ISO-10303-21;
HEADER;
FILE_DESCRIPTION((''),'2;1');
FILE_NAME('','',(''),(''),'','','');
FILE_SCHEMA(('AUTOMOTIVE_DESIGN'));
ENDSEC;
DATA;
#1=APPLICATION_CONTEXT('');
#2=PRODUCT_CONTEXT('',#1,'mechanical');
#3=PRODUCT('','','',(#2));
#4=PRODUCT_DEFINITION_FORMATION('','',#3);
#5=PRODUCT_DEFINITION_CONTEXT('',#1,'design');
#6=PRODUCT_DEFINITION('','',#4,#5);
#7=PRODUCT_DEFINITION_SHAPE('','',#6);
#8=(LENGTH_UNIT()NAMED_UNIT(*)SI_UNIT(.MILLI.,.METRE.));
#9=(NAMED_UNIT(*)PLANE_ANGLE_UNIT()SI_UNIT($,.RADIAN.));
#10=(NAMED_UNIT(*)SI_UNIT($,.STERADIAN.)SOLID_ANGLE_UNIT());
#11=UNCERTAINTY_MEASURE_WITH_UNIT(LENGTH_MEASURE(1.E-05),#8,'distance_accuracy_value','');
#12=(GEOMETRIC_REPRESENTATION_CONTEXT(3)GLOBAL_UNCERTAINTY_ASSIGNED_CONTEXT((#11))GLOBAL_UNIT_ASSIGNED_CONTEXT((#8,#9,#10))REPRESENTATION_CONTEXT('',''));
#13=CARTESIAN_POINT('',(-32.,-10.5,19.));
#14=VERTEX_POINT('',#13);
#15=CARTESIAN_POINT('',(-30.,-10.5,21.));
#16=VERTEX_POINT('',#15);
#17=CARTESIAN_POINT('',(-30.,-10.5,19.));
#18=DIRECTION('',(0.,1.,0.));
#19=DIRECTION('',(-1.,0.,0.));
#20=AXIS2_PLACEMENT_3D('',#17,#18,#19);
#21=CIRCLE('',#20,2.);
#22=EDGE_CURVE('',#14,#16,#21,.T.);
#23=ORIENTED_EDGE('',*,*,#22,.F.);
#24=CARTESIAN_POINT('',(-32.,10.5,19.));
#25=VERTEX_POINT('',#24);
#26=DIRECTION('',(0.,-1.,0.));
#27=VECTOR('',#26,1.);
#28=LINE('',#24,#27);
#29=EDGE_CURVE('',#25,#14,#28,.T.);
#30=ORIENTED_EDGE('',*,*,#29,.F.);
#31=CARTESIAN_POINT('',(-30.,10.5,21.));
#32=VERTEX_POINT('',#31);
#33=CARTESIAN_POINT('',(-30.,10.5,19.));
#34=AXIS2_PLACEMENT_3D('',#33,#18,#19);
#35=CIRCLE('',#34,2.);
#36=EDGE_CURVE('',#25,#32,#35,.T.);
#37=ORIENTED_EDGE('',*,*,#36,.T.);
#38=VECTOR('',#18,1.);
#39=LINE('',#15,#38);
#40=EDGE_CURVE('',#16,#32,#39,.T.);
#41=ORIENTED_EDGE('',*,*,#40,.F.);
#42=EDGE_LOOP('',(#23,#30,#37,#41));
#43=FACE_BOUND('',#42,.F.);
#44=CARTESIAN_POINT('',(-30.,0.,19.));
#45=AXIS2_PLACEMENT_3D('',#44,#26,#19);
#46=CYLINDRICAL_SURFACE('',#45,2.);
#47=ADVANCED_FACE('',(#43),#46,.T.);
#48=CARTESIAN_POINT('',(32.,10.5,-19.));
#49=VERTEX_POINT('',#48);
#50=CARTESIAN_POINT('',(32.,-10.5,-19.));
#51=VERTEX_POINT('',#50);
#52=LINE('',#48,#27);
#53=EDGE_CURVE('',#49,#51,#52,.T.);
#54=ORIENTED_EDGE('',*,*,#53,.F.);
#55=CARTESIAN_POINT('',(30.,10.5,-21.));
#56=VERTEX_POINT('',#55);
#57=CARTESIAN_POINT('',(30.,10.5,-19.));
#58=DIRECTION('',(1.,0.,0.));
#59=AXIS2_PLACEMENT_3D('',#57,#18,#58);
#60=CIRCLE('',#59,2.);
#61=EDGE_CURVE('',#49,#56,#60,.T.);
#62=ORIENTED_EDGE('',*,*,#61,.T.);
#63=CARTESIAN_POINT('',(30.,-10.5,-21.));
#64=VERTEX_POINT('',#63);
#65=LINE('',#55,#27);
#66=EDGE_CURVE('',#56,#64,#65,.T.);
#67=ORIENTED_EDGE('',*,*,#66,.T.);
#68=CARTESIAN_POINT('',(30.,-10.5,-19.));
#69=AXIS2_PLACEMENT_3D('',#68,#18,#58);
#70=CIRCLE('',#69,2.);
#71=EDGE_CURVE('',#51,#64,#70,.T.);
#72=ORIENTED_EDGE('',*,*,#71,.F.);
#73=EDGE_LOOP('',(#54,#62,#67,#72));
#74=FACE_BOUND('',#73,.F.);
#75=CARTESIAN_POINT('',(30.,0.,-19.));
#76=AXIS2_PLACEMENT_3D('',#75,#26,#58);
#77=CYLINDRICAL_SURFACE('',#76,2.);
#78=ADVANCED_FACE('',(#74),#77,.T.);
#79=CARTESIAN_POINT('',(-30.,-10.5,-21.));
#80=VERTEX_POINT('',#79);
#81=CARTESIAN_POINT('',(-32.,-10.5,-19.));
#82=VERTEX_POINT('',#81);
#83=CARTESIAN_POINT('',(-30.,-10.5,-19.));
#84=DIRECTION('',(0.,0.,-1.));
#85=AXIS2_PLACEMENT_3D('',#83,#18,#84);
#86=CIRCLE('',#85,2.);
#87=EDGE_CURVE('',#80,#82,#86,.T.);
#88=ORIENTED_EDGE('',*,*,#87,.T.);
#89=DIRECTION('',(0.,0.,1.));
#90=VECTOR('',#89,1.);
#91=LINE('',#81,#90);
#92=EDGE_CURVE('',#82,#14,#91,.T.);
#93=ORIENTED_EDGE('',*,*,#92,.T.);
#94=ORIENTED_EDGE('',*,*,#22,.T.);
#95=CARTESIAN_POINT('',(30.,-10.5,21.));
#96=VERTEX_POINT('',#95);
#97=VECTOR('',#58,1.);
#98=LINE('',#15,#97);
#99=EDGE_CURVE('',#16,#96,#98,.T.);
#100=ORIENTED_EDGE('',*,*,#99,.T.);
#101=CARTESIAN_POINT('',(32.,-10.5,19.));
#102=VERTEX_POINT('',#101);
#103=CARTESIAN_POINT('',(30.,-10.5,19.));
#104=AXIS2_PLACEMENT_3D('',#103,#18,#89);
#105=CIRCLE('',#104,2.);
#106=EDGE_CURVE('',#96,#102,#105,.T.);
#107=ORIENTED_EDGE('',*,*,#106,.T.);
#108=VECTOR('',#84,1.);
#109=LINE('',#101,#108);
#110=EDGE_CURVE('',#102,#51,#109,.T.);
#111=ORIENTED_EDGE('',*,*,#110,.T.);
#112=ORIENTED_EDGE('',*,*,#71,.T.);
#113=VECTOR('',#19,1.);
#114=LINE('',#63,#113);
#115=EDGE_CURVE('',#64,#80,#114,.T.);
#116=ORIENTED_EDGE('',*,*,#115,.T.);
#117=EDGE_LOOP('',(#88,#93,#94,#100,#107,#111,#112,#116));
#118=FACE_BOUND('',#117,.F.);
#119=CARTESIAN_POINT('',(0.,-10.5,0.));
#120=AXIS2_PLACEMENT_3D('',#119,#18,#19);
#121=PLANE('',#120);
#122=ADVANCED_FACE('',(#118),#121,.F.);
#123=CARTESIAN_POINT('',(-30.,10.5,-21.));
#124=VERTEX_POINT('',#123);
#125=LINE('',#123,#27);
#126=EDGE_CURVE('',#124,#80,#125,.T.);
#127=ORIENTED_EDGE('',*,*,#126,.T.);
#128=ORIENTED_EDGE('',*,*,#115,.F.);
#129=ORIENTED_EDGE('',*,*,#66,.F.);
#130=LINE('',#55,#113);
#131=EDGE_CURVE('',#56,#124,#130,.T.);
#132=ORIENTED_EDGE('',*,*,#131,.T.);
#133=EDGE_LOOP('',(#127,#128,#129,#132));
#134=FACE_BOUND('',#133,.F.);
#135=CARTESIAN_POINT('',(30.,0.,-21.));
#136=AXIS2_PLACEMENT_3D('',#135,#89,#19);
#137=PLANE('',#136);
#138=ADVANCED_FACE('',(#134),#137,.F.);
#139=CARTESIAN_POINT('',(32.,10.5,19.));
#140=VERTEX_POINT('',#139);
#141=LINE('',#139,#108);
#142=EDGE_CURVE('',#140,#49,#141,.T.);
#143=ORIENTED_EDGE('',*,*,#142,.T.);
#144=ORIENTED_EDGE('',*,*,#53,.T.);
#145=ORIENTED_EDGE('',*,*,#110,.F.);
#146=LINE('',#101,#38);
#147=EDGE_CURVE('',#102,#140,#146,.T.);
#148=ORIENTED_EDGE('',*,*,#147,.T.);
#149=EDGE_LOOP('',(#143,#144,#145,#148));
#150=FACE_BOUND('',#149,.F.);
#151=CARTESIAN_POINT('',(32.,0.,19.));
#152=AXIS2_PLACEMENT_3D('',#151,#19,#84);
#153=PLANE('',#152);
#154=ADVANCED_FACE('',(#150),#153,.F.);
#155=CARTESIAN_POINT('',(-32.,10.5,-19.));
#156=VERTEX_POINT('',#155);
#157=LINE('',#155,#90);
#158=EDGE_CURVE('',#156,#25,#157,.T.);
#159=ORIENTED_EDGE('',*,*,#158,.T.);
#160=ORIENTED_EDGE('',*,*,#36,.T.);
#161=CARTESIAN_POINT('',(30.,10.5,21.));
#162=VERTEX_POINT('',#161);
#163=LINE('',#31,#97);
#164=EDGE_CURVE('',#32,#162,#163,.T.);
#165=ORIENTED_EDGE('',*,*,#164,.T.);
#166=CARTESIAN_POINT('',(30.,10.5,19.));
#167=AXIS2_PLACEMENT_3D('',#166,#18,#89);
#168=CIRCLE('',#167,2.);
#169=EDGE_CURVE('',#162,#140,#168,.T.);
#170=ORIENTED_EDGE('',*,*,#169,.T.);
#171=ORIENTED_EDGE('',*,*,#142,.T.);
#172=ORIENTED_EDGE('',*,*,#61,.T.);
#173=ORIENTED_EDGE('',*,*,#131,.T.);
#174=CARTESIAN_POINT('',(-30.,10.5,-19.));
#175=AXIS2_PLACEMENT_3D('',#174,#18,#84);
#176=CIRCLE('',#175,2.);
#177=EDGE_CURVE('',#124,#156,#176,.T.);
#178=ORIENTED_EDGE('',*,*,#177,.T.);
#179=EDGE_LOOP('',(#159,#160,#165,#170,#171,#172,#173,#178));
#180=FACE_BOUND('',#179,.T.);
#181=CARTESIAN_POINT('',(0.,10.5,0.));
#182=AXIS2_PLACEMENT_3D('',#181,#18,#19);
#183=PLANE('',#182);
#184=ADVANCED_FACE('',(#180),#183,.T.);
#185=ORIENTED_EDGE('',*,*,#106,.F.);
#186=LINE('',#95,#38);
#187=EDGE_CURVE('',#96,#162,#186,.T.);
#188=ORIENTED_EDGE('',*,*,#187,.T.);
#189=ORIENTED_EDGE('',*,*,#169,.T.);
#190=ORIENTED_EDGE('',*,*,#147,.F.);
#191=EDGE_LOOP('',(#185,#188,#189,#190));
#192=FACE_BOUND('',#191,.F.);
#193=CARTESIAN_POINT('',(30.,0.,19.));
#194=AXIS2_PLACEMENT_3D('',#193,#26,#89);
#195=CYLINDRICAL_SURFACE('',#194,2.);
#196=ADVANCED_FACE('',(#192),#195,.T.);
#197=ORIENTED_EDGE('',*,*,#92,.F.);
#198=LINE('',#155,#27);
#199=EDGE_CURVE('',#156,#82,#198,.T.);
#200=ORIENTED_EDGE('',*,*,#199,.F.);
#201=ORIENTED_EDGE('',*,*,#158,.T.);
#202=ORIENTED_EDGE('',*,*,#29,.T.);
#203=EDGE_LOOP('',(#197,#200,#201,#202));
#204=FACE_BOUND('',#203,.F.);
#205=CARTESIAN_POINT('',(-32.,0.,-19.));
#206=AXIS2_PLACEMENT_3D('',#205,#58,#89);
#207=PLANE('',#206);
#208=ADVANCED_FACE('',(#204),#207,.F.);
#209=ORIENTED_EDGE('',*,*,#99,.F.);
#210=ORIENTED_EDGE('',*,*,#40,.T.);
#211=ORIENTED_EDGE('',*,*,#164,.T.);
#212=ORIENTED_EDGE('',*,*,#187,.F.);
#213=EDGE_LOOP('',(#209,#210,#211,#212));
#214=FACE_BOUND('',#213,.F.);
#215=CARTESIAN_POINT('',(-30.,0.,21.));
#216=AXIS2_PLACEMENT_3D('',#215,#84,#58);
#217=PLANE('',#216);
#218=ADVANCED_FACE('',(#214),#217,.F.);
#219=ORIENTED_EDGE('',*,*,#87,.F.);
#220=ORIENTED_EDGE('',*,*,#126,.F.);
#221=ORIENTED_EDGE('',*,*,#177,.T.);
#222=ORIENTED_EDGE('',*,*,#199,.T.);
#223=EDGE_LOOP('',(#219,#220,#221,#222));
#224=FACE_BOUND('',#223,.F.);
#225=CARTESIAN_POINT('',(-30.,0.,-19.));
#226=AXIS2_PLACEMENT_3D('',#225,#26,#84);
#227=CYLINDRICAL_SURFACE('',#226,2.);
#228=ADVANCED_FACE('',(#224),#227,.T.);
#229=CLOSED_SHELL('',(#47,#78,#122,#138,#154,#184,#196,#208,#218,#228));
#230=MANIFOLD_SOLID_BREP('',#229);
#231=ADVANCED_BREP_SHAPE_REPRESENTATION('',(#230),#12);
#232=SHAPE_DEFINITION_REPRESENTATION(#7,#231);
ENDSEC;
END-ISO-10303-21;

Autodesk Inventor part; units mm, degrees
ref_plane "YZ Plane" through (0, 0, 0) normal (1, 0, 0) x (0, 1, 0)
ref_plane "XZ Plane" through (0, 0, 0) normal (0, 1, 0) x (-1, 0, 0)
ref_plane "XY Plane" through (0, 0, 0) normal (0, 0, 1) x (1, 0, 0)
sketch "Sketch1" plane through (0, 0, 0) normal (0, 1, 0) x (-1, 0, 0)
  line L0 (30, 21) -> (-30, 21)
  line L1 (-32, 19) -> (-32, -19)
  line L2 (-30, -21) -> (30, -21)
  line L3 (32, -19) -> (32, 19)
  line L4 (32, 21) -> (-32, -21) construction
  line L5 (-32, 21) -> (32, -21) construction
  arc A0 (30, -21) -> (32, -19) centre (30, -19) ccw
  arc A1 (32, 19) -> (30, 21) centre (30, 19) ccw
  arc A2 (-30, 21) -> (-32, 19) centre (-30, 19) ccw
  arc A3 (-32, -19) -> (-30, -21) centre (-30, -19) ccw
  point P0 (0, 0)
  dimension "d0" = 64
  dimension "d1" = 42
  dimension "d2" = 2
extrude "Extrusion1" add sketch "Sketch1" along normal mid plane 21
properties part number "Agendas_All" material "Paper"
